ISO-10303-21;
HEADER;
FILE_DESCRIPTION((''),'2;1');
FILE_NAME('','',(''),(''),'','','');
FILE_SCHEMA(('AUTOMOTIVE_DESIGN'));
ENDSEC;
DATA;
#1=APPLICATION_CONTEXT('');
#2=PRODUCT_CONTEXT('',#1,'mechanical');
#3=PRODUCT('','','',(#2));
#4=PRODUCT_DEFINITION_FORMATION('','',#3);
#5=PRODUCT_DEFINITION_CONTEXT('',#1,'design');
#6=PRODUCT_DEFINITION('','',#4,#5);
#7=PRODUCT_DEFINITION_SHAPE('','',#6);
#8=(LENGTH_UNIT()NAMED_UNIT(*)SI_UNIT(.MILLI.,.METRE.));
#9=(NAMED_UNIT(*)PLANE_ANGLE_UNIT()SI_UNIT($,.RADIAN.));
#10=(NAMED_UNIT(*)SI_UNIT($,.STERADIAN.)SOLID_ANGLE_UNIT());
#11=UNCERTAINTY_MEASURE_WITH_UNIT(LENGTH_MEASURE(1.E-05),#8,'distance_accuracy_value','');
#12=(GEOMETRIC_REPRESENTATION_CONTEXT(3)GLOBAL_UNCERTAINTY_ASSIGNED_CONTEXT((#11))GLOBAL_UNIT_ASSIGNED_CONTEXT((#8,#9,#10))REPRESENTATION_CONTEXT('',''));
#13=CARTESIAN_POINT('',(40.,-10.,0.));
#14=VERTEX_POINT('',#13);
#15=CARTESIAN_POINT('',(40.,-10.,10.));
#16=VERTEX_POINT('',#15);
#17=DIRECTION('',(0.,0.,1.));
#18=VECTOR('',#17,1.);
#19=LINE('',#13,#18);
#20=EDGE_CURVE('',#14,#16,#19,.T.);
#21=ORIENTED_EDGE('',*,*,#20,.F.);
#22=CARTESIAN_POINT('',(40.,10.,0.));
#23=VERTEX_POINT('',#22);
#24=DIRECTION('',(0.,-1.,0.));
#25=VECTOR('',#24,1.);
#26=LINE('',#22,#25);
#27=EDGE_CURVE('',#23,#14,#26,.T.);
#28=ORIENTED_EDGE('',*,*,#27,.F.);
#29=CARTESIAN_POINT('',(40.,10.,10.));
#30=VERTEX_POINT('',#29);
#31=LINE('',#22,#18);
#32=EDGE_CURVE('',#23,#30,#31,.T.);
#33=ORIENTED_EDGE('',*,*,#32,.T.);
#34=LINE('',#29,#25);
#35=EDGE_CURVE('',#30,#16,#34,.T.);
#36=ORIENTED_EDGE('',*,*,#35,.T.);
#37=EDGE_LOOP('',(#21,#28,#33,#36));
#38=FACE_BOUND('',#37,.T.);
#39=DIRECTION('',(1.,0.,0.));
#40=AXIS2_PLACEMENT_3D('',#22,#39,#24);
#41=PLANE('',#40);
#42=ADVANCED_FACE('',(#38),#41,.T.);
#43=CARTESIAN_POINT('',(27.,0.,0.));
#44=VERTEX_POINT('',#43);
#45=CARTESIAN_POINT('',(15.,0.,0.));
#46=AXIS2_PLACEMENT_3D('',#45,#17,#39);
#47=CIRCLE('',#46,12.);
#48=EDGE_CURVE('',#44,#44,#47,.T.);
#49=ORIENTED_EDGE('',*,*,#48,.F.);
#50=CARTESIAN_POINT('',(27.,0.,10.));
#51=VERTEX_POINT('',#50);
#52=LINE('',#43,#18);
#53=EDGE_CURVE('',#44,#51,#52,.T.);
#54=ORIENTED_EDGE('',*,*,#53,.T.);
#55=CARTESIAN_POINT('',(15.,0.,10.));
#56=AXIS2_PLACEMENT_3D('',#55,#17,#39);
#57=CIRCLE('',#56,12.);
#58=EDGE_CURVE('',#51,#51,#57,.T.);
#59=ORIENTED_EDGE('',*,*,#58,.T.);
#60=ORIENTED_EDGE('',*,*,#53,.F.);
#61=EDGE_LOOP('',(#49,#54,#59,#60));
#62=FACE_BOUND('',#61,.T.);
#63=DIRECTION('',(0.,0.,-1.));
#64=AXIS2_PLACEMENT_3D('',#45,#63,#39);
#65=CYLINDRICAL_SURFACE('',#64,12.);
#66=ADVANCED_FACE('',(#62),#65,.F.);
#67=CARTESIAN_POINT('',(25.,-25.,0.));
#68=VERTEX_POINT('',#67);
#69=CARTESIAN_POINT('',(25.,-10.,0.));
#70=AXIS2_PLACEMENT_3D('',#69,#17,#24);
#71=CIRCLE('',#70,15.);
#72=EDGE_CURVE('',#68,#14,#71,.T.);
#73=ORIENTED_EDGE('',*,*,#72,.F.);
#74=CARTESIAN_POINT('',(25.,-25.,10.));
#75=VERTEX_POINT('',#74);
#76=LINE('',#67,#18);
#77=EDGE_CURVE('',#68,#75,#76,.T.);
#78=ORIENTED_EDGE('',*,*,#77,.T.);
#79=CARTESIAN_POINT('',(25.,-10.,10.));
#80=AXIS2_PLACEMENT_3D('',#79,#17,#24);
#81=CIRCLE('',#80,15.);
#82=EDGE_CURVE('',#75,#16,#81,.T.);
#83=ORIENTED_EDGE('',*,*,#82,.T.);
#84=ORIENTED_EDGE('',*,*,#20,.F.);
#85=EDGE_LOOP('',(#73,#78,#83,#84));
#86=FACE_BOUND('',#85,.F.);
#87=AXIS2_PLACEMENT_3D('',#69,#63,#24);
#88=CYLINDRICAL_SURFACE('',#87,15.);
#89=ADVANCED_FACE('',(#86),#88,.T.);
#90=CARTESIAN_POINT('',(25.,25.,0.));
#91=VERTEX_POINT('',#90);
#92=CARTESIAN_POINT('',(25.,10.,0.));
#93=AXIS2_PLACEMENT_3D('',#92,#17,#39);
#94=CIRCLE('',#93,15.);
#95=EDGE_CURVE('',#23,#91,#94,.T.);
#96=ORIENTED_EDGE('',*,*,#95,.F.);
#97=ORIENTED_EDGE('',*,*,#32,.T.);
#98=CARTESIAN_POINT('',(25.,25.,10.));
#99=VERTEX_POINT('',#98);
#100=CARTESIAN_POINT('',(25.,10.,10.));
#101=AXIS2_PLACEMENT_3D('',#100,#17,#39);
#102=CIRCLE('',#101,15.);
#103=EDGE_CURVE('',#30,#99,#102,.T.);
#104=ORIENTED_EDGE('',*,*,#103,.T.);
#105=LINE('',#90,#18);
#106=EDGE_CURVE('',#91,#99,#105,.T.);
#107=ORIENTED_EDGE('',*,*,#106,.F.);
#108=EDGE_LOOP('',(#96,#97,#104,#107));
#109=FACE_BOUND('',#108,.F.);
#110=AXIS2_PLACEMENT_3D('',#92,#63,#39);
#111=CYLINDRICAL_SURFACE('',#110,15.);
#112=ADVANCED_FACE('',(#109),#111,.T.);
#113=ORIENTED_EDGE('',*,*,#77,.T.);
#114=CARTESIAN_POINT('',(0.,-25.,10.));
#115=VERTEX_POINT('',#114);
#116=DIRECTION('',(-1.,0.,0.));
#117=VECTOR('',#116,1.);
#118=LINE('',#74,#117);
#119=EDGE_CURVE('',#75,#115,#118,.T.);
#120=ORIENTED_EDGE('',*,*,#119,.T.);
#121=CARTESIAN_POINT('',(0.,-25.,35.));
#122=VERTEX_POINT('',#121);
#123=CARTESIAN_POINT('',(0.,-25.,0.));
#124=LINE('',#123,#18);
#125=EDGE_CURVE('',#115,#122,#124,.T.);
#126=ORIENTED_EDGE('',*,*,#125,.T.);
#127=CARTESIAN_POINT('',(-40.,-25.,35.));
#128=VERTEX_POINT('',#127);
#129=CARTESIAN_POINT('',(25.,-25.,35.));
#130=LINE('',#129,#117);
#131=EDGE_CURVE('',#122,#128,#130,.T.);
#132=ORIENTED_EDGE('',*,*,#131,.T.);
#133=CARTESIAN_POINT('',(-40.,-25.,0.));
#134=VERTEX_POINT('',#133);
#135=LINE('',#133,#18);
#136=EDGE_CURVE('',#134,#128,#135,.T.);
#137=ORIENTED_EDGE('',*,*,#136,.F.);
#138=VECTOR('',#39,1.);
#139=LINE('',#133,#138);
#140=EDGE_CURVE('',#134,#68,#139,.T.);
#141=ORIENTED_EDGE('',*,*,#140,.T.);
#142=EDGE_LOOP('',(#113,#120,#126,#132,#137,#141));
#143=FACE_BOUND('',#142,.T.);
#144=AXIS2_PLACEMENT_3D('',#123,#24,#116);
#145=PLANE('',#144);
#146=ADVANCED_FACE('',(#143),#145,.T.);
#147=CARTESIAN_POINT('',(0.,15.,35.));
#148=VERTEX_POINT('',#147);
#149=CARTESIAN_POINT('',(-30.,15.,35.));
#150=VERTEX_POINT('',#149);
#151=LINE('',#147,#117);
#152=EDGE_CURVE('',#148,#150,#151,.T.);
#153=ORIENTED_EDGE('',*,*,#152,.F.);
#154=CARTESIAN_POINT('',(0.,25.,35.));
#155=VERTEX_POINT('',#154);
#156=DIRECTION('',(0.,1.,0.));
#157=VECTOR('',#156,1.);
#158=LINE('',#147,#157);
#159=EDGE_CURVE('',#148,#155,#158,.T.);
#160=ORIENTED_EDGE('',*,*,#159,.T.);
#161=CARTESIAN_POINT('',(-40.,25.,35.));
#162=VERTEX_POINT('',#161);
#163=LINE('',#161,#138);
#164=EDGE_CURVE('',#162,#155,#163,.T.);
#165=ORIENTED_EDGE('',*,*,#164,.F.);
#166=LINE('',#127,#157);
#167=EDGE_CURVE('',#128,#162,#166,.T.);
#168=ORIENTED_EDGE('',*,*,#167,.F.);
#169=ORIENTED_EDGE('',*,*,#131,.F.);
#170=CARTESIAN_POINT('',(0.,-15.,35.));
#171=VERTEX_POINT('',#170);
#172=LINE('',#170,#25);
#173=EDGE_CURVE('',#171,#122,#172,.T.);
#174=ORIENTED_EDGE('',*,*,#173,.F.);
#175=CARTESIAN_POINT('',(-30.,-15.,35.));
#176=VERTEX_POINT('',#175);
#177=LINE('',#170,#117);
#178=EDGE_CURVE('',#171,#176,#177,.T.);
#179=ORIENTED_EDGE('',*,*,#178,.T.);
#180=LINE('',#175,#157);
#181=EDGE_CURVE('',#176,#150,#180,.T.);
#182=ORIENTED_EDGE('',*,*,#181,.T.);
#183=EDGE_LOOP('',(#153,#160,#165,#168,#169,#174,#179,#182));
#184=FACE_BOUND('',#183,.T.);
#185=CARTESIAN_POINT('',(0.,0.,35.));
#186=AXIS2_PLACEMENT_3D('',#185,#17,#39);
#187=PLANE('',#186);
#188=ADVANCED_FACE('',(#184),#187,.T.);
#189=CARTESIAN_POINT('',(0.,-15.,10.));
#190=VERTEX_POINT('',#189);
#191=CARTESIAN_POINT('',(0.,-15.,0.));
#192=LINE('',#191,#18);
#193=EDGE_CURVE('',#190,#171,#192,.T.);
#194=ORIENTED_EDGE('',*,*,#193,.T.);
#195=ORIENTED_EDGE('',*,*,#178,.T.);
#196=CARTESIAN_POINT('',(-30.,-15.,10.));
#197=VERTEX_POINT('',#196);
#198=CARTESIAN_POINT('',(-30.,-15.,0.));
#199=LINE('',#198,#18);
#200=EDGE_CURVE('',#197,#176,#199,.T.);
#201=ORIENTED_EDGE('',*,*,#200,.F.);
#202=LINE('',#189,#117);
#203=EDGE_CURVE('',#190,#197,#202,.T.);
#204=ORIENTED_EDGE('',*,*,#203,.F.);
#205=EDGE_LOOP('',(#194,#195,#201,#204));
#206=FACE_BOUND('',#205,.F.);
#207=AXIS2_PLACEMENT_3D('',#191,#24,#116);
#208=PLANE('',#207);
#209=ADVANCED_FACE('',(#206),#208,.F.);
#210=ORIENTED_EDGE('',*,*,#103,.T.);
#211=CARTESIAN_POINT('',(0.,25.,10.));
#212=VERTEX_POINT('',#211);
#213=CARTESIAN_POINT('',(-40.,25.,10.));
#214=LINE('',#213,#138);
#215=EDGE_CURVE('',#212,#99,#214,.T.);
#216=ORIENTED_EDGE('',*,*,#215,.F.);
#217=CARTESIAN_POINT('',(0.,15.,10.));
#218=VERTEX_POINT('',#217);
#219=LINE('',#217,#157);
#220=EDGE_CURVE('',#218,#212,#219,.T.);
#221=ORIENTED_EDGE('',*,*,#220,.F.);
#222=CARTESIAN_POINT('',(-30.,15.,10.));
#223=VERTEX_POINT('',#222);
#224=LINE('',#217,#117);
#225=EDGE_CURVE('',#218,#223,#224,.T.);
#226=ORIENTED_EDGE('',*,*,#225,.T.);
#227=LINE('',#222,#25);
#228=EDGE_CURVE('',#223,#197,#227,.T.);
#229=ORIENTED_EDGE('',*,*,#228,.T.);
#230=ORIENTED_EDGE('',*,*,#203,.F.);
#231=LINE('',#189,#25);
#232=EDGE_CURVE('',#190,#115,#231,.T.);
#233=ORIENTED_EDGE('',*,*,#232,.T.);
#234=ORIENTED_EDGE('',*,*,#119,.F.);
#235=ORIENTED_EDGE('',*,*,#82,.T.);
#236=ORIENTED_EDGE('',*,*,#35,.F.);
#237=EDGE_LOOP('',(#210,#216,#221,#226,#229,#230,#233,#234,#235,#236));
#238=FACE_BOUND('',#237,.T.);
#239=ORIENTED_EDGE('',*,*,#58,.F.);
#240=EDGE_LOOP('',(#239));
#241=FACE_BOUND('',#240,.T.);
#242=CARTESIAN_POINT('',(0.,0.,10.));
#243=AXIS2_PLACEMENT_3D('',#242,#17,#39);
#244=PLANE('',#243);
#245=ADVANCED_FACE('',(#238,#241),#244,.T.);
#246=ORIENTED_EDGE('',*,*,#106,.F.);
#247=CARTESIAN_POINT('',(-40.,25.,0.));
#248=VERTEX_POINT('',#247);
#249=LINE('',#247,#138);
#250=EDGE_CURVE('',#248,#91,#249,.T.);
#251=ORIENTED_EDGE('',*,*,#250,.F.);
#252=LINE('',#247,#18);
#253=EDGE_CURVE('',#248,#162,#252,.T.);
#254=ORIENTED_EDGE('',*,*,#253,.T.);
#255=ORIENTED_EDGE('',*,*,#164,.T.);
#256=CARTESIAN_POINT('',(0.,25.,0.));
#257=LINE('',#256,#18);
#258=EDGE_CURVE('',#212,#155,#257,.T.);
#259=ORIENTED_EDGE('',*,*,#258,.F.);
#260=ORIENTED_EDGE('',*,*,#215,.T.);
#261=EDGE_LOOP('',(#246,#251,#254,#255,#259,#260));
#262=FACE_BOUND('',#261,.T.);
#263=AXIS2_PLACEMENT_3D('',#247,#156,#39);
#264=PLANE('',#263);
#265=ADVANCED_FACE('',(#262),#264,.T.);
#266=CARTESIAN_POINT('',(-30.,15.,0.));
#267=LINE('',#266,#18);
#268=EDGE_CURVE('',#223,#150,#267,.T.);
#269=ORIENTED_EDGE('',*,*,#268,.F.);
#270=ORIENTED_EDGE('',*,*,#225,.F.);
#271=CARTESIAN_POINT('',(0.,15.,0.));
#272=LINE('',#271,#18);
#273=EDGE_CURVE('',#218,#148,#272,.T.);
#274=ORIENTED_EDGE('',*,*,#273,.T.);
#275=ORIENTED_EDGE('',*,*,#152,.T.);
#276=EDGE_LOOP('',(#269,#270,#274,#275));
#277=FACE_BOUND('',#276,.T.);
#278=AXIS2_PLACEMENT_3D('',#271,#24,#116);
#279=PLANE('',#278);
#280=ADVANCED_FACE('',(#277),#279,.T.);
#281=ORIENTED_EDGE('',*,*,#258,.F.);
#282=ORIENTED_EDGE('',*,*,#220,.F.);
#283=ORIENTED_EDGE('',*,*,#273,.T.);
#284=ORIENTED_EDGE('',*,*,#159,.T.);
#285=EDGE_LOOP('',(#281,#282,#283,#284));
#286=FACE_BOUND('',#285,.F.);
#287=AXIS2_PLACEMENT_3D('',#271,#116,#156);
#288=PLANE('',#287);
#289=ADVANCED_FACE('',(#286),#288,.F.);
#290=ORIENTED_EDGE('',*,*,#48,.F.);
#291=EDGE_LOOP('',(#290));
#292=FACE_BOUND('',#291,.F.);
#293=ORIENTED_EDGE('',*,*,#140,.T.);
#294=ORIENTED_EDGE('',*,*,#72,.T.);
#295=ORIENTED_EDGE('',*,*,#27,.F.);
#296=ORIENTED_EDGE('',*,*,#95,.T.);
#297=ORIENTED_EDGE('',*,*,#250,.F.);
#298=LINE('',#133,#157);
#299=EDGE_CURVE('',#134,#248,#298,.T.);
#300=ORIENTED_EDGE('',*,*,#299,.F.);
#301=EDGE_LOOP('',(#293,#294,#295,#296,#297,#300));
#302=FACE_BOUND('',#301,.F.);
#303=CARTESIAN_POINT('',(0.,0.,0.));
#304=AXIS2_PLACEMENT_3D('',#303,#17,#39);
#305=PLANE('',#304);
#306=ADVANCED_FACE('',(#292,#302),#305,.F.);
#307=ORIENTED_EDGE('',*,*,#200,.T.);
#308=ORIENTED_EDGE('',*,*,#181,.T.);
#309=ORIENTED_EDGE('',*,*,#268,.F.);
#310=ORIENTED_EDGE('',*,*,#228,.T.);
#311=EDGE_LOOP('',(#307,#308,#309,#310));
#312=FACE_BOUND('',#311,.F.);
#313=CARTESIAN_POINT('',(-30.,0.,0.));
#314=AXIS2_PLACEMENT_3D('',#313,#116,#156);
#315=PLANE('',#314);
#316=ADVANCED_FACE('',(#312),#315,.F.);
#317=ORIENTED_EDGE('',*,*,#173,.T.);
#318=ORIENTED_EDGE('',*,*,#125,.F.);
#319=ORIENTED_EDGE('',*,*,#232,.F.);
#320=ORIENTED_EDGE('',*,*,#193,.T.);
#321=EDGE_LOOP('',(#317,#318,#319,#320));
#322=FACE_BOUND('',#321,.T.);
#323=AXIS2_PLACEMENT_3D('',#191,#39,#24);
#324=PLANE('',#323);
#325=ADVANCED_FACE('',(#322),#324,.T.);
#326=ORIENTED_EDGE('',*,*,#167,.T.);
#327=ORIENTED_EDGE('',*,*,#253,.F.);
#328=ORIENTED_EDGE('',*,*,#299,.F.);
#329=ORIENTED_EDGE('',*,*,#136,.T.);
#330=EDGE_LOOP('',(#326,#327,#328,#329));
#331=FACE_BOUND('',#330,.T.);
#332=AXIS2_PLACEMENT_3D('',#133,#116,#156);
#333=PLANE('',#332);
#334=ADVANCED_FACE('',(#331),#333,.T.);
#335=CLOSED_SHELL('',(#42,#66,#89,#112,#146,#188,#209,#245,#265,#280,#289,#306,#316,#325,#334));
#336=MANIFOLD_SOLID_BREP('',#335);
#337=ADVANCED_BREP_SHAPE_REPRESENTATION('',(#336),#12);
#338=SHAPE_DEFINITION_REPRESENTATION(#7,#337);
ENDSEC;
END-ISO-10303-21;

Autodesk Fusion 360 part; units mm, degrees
sketch "Sketch1" plane through (0, 0, 0) normal (0, 0, 1) x (1, 0, 0)
  line L0 (25, -25) -> (-40, -25)
  line L1 (-40, -25) -> (-40, 25)
  line L2 (-40, 25) -> (25, 25)
  line L3 (40, 10) -> (40, -10)
  arc A0 (40, 10) -> (25, 25) centre (25, 10) ccw
  arc A1 (25, -25) -> (40, -10) centre (25, -10) ccw
  line L4 (0, 15) -> (-30, 15)
  line L5 (0, -15) -> (-30, -15)
  line L6 (-30, 0) -> (-30, 15)
  line L7 (-30, 0) -> (-30, -15)
  line L8 (0, -15) -> (0, -25)
  circle A2 centre (15, 0) radius 12
  line L9 (0, 15) -> (0, 25)
  dimension "d2" = 50
  dimension "d3" = 15
  dimension "d4" = 15
  dimension "d8" = 15
  dimension "d9" = 24
extrude "Extrude1" add sketch "Sketch1" along normal blind 35 contours L0 L1 L2 L4 L5 L6 L7 L8 L9
extrude "Extrude2" add sketch "Sketch1" along normal blind 10 contours L0 L2 L3 A0 A1 L4 L5 L6 L7 L8 L9
